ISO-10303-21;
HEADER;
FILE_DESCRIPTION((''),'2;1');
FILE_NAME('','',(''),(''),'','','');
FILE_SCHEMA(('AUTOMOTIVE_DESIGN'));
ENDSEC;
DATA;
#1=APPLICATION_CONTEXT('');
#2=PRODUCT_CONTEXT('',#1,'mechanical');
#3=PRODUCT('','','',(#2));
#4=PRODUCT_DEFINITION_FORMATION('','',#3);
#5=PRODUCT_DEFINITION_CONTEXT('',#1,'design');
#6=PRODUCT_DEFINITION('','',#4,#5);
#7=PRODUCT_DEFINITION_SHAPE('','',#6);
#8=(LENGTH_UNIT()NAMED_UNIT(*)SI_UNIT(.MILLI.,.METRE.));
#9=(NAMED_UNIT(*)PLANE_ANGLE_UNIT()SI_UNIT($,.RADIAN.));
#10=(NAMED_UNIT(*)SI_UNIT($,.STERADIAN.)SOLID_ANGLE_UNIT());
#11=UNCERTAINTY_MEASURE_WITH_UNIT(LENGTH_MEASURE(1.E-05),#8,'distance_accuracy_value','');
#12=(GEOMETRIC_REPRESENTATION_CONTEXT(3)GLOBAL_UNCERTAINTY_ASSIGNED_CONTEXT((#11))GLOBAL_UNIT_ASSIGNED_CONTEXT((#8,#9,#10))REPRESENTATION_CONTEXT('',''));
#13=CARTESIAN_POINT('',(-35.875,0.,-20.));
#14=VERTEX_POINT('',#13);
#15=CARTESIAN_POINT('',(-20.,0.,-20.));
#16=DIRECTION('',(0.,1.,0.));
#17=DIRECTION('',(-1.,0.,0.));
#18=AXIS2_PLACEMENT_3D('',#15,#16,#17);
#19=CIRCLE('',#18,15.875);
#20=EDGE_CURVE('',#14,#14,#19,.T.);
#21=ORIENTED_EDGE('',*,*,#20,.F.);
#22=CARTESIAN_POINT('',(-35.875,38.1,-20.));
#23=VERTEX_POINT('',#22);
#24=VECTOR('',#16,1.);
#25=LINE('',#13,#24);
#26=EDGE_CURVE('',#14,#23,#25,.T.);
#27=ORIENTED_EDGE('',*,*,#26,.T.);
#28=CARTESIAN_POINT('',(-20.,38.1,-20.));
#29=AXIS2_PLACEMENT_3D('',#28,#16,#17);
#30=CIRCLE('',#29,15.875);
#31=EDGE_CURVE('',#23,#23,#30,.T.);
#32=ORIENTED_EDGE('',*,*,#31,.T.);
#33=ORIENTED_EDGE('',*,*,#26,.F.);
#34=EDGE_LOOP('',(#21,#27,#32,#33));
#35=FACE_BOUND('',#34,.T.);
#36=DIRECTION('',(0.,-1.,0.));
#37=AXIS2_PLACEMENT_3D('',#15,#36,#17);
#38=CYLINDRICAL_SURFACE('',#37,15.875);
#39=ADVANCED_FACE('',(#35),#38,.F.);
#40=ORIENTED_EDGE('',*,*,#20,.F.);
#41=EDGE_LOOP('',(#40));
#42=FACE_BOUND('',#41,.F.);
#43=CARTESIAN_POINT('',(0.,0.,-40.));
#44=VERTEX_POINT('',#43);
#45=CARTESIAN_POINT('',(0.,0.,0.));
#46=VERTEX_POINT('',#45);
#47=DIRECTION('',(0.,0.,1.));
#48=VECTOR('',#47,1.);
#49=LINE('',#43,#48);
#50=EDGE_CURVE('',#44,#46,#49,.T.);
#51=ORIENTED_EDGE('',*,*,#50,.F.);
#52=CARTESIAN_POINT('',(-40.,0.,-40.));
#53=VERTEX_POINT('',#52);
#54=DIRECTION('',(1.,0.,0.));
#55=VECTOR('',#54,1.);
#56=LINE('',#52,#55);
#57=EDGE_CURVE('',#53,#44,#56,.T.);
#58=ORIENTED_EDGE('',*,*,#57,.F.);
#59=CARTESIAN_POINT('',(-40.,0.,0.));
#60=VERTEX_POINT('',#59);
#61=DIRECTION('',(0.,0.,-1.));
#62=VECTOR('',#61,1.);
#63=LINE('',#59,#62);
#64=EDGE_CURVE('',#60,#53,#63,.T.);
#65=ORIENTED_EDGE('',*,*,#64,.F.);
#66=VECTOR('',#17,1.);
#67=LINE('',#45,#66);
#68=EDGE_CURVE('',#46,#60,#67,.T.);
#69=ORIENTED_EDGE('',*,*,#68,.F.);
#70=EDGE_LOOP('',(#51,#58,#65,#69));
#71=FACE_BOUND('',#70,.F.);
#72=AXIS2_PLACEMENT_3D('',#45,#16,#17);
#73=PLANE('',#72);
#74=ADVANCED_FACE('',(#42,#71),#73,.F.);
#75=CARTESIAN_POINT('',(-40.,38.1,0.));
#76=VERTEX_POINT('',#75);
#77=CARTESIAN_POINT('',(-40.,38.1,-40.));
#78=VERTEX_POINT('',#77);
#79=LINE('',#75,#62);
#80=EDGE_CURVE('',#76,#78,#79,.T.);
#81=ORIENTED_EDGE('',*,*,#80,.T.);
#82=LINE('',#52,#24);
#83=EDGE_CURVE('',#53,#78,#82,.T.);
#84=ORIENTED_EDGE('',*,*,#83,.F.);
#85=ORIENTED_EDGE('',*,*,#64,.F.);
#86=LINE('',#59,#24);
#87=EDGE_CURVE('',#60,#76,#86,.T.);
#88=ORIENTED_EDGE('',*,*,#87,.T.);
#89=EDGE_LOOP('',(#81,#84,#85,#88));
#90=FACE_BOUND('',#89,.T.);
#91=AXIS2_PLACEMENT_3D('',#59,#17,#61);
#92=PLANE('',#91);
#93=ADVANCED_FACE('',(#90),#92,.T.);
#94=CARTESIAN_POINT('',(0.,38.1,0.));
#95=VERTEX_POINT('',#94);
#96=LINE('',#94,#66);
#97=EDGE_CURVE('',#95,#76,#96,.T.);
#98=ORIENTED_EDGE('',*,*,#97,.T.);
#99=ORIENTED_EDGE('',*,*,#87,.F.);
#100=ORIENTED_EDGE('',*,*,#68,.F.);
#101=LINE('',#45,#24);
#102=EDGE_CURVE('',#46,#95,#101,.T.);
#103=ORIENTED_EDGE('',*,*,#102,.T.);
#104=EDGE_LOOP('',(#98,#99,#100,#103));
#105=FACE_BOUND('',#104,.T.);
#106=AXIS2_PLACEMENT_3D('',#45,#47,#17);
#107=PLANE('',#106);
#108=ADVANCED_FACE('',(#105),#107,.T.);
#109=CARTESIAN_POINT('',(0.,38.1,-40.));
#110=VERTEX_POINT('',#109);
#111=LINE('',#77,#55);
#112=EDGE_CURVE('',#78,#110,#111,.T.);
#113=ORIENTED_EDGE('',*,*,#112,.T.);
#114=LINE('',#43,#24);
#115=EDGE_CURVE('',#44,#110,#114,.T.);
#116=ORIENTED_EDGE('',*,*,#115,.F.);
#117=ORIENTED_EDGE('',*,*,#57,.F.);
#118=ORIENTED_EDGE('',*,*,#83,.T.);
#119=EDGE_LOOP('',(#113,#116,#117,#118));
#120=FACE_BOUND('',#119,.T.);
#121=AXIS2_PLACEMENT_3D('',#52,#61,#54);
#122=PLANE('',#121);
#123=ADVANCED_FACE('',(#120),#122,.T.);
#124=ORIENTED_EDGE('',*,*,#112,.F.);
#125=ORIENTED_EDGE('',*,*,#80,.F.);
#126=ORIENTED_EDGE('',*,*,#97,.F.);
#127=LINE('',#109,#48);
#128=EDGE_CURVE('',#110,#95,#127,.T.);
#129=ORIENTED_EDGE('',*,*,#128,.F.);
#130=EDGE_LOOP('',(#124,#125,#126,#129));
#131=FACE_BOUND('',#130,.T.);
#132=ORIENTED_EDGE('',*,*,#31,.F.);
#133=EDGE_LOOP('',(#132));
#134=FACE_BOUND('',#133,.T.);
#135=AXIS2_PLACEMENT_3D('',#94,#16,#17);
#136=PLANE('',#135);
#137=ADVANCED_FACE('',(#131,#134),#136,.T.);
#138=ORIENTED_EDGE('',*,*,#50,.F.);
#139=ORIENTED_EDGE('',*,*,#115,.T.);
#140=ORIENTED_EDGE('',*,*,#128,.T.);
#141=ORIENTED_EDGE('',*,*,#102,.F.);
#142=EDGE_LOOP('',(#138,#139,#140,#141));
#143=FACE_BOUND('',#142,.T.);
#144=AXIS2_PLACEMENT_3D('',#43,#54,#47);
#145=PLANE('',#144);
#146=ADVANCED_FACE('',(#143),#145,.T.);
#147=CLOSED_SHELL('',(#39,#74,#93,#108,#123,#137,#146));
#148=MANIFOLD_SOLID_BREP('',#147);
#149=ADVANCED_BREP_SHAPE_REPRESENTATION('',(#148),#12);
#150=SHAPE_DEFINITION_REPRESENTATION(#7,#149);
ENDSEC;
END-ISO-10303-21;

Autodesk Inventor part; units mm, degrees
ref_plane "YZ Plane" through (0, 0, 0) normal (1, 0, 0) x (0, 1, 0)
ref_plane "XZ Plane" through (0, 0, 0) normal (0, 1, 0) x (-1, 0, 0)
ref_plane "XY Plane" through (0, 0, 0) normal (0, 0, 1) x (1, 0, 0)
sketch "Sketch1" plane through (0, 0, 0) normal (0, 1, 0) x (-1, 0, 0)
  line L0 (0, 0) -> (40, 0)
  line L1 (40, 0) -> (40, -40)
  line L2 (40, -40) -> (0, -40)
  line L3 (0, -40) -> (0, 0)
  circle A0 centre (20, -20) radius 15.875
  dimension "d0" = 40
  dimension "d1" = 40
  dimension "d2" = 31.75
extrude "Extrusion1" add sketch "Sketch1" along normal blind 38.1
properties part number "cameraFrame"
